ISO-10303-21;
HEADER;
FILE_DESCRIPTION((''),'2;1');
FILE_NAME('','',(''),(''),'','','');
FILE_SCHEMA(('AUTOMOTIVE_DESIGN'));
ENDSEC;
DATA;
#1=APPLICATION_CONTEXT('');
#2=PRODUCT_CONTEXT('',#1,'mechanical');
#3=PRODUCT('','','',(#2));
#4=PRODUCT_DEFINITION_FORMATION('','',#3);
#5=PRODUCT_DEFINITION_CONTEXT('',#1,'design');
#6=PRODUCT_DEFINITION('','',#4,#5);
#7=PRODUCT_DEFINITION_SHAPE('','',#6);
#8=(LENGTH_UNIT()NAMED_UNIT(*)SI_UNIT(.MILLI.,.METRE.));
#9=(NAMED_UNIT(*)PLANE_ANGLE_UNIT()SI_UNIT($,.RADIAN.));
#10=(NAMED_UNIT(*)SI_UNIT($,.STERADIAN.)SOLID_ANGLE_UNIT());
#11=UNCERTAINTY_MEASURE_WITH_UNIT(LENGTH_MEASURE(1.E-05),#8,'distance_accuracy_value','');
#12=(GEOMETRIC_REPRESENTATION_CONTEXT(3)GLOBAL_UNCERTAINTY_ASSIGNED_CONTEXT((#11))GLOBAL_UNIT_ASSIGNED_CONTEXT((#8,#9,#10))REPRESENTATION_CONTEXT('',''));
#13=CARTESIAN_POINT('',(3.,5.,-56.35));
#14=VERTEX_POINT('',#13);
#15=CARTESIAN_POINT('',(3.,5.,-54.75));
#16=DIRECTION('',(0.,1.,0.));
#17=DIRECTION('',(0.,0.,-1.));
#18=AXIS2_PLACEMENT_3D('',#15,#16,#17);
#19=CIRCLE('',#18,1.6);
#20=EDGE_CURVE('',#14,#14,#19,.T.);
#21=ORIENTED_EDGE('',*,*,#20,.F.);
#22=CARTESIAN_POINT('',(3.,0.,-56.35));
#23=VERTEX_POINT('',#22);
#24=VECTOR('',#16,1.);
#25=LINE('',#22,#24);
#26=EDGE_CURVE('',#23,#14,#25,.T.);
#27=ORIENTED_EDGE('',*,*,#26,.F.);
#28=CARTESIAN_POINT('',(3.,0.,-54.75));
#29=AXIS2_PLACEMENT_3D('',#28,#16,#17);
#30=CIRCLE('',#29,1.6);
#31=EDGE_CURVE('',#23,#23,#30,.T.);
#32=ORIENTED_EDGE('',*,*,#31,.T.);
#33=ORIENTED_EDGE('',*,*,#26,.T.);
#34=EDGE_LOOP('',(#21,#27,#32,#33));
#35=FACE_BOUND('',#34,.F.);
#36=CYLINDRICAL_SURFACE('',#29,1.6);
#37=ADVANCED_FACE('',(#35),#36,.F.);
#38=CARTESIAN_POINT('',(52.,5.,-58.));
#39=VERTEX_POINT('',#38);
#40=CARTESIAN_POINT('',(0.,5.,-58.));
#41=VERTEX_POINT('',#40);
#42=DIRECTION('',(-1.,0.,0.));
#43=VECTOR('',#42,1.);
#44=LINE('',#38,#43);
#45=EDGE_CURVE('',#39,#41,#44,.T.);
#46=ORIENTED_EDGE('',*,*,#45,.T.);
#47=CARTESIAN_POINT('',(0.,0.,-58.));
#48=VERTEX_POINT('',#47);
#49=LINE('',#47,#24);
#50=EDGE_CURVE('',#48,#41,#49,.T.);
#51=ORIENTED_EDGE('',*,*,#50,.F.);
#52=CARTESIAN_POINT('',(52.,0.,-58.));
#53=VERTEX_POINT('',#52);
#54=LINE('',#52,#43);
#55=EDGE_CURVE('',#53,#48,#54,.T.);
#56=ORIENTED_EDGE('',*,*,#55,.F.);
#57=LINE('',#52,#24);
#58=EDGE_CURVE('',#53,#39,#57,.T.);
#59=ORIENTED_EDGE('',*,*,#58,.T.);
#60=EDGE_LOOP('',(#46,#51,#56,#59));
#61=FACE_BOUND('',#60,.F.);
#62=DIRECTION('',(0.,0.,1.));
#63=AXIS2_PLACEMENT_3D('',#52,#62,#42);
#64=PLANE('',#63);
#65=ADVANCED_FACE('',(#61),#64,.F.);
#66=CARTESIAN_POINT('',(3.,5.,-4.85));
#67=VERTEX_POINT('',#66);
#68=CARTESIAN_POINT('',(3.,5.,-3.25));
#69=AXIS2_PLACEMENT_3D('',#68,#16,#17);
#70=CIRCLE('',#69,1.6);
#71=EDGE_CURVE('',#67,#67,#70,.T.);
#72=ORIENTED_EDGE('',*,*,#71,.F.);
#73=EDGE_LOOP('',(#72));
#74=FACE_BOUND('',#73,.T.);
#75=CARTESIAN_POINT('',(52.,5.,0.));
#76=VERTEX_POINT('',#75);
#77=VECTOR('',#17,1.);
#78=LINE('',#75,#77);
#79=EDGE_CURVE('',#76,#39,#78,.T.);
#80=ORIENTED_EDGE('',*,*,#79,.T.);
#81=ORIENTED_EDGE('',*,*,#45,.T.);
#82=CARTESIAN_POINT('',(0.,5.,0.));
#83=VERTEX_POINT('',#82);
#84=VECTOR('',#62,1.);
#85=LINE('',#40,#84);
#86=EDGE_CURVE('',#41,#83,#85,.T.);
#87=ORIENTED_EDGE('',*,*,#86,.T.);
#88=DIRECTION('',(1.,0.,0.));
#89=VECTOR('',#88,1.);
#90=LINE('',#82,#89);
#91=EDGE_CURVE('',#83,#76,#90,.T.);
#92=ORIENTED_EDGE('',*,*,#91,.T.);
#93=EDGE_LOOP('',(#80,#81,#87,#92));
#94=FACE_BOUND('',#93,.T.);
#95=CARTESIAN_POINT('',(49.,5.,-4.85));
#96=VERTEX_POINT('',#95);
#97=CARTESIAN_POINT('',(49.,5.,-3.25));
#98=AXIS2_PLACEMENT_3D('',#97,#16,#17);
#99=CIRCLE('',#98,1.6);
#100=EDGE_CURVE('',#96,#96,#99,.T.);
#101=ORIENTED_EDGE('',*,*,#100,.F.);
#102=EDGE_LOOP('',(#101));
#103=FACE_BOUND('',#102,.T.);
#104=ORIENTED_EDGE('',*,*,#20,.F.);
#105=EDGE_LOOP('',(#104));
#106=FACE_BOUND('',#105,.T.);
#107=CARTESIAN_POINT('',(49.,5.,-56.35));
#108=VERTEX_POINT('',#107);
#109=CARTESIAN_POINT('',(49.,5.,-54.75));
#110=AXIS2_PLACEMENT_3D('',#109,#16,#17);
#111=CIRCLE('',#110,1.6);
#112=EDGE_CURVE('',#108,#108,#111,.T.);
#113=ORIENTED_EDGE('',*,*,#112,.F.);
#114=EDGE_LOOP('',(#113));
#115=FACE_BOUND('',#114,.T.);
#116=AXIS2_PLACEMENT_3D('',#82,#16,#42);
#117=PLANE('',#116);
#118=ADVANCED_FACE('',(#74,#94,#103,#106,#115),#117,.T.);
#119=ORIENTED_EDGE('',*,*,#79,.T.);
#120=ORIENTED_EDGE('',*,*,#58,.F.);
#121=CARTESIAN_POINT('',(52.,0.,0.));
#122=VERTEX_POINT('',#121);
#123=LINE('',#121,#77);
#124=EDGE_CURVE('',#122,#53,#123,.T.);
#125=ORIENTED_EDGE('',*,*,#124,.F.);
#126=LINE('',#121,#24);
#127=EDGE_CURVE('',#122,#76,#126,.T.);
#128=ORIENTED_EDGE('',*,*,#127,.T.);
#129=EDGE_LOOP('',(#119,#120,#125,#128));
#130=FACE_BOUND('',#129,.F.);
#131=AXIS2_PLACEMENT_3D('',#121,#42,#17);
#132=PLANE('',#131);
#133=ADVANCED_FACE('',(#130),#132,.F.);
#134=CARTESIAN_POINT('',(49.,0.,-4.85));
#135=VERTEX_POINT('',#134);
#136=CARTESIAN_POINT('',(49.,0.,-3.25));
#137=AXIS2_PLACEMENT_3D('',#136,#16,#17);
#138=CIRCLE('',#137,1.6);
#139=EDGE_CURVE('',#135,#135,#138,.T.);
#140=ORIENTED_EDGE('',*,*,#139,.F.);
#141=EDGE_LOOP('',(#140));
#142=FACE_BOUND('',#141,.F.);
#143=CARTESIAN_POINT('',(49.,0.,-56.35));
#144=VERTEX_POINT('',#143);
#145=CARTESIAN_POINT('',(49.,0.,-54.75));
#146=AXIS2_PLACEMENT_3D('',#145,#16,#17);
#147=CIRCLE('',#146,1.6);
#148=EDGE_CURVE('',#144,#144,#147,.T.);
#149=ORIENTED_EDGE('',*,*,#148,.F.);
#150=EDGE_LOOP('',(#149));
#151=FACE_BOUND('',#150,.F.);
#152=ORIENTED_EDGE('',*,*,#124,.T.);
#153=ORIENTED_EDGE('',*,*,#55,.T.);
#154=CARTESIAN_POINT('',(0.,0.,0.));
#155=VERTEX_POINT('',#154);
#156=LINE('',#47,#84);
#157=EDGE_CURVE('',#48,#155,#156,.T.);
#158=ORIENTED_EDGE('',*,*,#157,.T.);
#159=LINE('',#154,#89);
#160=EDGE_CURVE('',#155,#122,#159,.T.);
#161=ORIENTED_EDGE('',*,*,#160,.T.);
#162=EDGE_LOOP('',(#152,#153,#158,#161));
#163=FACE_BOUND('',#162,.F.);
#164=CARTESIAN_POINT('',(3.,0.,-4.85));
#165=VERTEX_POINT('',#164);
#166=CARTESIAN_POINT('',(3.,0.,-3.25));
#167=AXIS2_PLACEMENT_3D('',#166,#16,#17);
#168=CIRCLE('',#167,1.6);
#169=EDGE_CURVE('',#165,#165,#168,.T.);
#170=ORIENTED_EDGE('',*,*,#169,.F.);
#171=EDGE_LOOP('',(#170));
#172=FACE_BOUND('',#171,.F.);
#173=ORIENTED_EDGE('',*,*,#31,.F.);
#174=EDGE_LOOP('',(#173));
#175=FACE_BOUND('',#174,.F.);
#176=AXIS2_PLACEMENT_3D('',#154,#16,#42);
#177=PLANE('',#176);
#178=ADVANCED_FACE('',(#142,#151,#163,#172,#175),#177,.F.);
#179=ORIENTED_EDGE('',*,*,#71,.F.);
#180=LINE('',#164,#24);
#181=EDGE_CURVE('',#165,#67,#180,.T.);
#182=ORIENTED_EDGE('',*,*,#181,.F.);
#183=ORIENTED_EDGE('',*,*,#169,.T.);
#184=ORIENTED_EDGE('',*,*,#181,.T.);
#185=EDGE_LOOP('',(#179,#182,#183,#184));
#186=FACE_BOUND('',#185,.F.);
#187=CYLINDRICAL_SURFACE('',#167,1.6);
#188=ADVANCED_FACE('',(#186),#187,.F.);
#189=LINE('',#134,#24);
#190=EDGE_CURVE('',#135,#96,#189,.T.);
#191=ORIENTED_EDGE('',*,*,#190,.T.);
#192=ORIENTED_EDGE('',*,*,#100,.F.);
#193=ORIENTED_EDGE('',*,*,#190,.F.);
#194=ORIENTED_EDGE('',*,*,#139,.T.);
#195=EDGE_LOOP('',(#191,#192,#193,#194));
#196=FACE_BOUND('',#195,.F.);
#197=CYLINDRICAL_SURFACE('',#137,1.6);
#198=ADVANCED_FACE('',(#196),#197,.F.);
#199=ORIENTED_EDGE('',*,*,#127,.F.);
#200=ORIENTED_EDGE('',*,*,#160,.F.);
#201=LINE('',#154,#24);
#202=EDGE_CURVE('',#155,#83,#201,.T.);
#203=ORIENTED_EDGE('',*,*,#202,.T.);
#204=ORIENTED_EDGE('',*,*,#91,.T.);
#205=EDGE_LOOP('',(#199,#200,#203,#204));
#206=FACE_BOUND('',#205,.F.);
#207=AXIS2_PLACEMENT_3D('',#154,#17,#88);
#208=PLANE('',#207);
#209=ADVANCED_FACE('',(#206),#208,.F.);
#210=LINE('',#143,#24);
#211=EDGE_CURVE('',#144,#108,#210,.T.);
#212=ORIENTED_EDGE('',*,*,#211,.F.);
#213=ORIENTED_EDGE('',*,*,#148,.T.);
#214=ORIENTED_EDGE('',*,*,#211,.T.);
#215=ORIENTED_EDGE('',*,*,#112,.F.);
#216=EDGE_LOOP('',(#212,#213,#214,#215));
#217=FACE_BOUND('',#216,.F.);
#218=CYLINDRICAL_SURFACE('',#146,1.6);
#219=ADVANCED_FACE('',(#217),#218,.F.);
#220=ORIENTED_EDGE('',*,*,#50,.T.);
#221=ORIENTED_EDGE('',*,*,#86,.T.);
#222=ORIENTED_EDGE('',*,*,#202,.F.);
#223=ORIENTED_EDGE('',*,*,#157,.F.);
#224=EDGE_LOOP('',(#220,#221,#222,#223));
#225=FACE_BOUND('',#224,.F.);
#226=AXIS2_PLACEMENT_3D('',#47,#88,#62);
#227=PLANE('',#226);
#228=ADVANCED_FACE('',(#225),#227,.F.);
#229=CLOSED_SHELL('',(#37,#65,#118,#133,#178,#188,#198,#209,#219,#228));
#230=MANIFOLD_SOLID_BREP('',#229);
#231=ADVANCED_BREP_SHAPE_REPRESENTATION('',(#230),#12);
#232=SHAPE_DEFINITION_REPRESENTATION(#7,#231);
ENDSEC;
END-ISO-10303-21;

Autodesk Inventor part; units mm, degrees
ref_plane "YZ Plane" through (0, 0, 0) normal (1, 0, 0) x (0, 1, 0)
ref_plane "XZ Plane" through (0, 0, 0) normal (0, 1, 0) x (-1, 0, 0)
ref_plane "XY Plane" through (0, 0, 0) normal (0, 0, 1) x (1, 0, 0)
sketch "Sketch1" plane through (0, 0, 0) normal (0, 1, 0) x (-1, 0, 0)
  line L0 (0, 0) -> (-52, 0)
  line L1 (-52, 0) -> (-52, -58)
  line L2 (-52, -58) -> (0, -58)
  line L3 (0, -58) -> (0, 0)
  line L4 (-49, -54.75) -> (-49, -3.25) construction
  line L5 (-49, -54.75) -> (-3, -54.75) construction
  point P0 (-3, -3.25)
  point P1 (-49, -29)
  point P2 (-52, -29)
  point P3 (-26, -54.75)
  point P4 (-26, -58)
  dimension "d0" = 52
  dimension "d1" = 58
  dimension "d15" = 51.5
  dimension "d16" = 46
extrude "Extrusion1" add sketch "Sketch1" along normal blind 5
hole "Hole1" at (3, 0, -54.75) at (3, 0, -3.25) at (49, 0, -3.25) at (49, 0, -54.75) direction (0, 1, 0) diameter 3.2 end through all
properties part number "L298N module base"
